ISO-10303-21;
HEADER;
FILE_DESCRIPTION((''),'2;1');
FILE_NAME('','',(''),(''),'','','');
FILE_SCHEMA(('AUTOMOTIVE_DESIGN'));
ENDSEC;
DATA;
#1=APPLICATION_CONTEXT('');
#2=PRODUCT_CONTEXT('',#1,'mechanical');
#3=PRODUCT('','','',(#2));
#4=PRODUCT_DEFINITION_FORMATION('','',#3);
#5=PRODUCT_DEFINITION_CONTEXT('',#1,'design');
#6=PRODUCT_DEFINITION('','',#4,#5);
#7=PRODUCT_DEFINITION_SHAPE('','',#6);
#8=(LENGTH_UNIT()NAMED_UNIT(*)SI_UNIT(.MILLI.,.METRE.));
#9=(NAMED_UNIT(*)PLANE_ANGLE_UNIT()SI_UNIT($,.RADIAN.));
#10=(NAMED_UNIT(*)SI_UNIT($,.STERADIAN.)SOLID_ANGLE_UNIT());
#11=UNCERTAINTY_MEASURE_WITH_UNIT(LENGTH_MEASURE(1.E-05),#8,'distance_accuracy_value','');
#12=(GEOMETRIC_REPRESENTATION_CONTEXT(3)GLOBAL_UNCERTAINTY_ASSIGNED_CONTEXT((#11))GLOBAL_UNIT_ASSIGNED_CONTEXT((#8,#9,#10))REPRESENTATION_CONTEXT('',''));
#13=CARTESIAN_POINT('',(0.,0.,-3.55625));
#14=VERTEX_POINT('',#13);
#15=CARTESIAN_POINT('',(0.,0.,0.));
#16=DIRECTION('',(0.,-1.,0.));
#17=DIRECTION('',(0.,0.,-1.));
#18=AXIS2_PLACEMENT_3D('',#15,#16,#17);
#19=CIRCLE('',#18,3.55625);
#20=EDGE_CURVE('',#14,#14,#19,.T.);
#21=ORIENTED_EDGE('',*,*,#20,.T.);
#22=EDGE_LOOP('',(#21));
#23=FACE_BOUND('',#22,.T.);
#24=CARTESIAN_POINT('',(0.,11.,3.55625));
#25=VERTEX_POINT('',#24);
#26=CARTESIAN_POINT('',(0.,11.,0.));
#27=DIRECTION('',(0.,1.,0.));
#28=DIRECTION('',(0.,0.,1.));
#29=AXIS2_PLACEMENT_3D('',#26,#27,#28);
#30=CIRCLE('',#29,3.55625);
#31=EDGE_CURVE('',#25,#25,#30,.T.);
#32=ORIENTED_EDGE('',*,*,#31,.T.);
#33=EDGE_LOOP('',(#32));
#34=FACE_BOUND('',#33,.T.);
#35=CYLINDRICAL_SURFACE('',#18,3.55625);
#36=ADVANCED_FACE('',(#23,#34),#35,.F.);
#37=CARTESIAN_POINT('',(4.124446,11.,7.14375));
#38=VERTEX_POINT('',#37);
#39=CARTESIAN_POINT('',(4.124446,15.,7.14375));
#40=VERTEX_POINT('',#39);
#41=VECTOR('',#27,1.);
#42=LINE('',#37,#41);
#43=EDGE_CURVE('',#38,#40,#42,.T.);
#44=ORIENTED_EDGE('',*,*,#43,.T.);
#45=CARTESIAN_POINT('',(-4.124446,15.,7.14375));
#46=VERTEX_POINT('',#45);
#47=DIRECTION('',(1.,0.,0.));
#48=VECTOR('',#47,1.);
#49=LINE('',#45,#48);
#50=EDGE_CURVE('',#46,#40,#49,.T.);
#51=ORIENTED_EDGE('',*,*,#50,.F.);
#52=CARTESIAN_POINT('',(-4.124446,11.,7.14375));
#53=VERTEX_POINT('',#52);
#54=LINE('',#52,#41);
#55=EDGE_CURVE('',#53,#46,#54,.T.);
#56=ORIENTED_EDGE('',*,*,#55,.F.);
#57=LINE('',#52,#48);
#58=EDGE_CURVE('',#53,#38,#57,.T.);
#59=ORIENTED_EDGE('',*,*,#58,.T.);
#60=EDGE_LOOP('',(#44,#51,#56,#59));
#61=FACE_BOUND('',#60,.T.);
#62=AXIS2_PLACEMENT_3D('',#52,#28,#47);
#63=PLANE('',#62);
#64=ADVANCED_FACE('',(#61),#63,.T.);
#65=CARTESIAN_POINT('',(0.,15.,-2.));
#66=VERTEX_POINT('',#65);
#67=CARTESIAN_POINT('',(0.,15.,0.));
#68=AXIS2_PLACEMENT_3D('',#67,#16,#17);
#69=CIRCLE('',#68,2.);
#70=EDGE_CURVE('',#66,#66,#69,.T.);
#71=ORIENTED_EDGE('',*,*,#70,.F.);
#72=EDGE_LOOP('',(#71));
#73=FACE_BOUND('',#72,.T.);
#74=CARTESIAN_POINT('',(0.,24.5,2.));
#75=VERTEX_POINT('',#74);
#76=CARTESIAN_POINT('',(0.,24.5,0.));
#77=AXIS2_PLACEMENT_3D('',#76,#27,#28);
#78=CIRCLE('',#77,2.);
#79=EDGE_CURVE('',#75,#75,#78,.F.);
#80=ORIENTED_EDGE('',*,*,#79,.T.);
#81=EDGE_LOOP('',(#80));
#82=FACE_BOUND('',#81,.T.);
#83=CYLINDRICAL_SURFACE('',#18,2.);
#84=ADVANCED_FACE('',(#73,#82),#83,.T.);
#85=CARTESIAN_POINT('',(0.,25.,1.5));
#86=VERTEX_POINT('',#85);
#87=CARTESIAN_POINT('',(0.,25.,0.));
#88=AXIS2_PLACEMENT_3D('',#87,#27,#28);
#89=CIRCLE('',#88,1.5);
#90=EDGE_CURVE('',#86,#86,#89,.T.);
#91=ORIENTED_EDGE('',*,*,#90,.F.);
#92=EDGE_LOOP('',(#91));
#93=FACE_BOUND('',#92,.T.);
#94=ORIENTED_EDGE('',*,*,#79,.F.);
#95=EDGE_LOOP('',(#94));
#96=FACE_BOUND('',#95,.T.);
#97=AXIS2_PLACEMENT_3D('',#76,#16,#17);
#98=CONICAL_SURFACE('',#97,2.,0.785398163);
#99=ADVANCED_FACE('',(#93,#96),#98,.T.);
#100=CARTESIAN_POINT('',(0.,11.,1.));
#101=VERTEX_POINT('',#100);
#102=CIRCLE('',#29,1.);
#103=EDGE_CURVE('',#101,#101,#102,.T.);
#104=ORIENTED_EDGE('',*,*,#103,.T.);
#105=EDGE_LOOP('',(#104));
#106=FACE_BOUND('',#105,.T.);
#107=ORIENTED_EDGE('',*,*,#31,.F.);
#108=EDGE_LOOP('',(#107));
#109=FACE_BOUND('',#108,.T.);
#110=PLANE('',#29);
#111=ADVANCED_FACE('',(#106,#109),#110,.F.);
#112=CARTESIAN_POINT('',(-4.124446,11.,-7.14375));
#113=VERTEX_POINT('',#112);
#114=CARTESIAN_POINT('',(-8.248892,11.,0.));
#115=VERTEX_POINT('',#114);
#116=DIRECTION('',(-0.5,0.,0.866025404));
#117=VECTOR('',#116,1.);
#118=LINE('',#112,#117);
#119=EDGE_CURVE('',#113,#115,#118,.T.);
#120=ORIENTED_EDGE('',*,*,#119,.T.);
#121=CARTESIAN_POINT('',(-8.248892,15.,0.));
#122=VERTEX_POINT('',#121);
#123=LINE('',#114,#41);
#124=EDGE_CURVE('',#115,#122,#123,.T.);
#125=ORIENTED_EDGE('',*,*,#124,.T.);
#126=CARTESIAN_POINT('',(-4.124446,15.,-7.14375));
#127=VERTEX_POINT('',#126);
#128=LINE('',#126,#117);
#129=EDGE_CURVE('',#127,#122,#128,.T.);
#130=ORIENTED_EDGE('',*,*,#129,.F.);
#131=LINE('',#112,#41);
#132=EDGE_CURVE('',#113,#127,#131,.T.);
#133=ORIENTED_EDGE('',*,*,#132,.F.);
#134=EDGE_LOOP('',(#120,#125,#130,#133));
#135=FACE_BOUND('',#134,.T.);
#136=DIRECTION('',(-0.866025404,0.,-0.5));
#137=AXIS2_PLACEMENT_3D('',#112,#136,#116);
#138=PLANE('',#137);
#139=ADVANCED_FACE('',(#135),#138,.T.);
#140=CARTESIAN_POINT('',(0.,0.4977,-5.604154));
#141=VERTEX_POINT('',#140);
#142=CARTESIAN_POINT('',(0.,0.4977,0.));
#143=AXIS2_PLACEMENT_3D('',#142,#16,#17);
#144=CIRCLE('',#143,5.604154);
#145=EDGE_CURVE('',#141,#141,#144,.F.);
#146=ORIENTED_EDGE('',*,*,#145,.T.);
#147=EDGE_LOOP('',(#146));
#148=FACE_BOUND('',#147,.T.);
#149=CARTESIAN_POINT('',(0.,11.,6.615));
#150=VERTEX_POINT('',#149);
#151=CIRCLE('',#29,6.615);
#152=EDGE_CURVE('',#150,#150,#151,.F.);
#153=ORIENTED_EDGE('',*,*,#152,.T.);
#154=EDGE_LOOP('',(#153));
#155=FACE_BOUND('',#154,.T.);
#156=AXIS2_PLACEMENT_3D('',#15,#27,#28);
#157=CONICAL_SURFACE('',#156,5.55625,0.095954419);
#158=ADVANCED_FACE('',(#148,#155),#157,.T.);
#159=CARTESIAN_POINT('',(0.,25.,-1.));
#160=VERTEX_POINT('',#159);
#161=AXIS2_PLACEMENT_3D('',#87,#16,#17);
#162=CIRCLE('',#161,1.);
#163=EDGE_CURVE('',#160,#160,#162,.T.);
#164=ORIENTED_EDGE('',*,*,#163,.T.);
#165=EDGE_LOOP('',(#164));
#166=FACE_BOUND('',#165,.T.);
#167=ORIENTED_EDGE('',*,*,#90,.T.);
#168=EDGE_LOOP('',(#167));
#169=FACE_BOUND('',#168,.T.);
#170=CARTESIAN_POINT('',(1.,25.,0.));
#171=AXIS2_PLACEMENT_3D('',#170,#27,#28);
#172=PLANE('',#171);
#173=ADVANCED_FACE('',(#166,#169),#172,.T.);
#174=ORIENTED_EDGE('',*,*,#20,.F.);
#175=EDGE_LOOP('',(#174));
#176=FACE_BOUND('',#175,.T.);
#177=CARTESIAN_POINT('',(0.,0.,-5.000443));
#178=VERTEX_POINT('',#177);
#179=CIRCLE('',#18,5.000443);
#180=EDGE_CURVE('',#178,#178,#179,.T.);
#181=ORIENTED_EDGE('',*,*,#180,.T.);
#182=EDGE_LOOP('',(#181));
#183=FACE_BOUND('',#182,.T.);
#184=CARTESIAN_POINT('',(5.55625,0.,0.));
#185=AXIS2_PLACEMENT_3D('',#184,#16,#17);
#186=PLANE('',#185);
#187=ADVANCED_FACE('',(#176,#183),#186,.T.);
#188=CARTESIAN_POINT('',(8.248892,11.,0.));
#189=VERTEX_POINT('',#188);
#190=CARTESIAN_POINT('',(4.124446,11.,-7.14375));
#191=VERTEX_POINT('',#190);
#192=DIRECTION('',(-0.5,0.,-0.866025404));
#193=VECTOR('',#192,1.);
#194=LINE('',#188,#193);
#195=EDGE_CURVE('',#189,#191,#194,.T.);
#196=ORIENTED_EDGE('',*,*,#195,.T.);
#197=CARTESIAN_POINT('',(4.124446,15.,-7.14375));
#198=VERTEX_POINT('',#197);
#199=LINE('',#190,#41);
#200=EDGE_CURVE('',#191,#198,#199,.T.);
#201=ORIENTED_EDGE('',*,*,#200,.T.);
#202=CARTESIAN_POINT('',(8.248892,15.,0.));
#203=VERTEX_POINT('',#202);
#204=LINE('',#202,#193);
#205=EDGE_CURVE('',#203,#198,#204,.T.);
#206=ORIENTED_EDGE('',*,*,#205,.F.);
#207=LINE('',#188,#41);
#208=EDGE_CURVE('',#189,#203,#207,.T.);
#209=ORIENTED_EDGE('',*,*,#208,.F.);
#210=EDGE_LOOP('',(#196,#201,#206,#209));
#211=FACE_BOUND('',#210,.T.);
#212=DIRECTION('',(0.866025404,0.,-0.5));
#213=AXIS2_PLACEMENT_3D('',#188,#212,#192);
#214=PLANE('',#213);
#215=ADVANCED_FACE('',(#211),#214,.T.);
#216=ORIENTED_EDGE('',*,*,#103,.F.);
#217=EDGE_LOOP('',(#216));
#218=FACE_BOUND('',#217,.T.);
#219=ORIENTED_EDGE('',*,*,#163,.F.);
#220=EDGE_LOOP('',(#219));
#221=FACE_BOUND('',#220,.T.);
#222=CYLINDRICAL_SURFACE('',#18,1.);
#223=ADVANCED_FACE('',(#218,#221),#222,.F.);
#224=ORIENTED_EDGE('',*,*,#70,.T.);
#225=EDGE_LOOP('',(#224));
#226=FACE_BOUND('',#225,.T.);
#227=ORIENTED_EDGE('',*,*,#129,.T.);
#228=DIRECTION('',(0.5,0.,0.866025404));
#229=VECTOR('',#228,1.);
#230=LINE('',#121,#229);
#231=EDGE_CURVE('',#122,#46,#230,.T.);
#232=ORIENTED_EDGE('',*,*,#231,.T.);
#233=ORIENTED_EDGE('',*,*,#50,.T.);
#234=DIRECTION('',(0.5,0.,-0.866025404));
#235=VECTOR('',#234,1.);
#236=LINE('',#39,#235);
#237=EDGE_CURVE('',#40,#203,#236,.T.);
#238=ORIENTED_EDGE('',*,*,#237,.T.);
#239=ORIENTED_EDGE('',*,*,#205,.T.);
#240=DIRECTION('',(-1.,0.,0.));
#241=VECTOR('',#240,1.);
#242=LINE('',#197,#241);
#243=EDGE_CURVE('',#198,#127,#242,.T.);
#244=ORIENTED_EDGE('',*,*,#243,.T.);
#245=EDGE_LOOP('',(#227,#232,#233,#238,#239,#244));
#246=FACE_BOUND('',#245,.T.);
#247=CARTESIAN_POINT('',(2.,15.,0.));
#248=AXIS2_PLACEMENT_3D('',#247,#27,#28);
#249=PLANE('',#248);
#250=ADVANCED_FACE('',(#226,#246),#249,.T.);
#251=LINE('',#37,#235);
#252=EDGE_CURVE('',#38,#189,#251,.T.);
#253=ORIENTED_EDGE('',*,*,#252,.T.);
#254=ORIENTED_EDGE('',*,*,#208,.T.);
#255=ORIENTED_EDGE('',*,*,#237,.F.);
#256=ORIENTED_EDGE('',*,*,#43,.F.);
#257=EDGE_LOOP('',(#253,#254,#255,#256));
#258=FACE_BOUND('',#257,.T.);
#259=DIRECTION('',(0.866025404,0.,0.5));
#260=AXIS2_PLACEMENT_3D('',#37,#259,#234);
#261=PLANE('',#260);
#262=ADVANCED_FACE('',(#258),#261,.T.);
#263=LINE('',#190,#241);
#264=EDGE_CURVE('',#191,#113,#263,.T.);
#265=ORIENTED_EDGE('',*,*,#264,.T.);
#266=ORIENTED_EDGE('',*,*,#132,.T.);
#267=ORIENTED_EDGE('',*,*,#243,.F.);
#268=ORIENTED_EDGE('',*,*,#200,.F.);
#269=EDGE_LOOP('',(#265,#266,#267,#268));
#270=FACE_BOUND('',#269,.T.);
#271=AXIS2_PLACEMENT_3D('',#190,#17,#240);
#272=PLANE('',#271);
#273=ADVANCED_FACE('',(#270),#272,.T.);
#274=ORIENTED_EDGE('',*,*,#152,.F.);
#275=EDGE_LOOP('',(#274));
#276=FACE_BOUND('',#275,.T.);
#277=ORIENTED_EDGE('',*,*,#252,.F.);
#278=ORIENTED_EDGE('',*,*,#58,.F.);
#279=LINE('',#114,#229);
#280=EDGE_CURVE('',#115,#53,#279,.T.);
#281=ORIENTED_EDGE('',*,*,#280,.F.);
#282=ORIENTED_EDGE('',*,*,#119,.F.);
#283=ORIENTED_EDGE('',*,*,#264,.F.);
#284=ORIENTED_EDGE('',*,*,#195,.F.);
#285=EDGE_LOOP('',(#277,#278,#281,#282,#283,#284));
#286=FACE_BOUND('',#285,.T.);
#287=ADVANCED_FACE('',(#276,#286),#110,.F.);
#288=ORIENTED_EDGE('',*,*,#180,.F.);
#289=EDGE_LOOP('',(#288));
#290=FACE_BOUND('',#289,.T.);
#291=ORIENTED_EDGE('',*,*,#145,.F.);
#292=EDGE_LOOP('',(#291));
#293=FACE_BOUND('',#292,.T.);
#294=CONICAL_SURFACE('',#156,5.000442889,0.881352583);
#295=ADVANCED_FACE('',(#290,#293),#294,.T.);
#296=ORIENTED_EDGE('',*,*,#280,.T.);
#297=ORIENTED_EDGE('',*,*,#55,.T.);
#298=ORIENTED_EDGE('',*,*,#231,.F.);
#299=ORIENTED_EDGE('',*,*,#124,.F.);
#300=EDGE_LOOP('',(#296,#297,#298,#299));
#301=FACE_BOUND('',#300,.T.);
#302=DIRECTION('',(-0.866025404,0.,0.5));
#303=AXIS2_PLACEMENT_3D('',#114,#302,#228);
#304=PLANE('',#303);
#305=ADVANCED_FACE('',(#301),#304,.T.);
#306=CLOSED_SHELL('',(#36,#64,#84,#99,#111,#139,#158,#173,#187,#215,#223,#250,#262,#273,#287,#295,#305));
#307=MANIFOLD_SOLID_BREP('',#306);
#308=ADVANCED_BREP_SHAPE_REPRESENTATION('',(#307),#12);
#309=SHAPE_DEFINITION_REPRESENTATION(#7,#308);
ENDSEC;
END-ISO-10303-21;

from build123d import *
from OCP.BRepFilletAPI import BRepFilletAPI_MakeChamfer

# Parameters (mm, degrees)
SKETCH2_R           = 1
BOSS_EXTRUDE1_DEPTH = 4
CHAMFER1_SIZE       = 0.5
CHAMFER1_SIZE2      = 0.555807111


with BuildPart() as part:
    # Sketch1 → Revolve1 (revolve)
    with BuildSketch(Plane.XY, mode=Mode.PRIVATE) as revolve1_sk:
        Polygon((1, 25), (2, 25), (2, 15), (7, 15), (5.55625, 0), (3.55625, 0), (3.55625, 12), (1, 12), align=None)
    revolve(revolve1_sk.sketch.rotate(Axis((0, 0, 0), (0, 1, 0)), 90), axis=Axis((0, 0, 0), (0, 1, 0)))

    # Sketch2 → Boss-Extrude1 (add)
    with BuildSketch(Plane(origin=(0, 15, 0), x_dir=(1, 0, 0), z_dir=(0, 1, 0))):
        Polygon((-8.248891971, 0), (-4.124445986, -7.14375), (4.124445986, -7.14375), (8.248891971, 0), (4.124445986, 7.14375), (-4.124445986, 7.14375), align=None)
        with Locations(Location((0, 0, 0), (0, 0, 90))):
            Circle(SKETCH2_R, mode=Mode.SUBTRACT)
    extrude(amount=-BOSS_EXTRUDE1_DEPTH)

    # Chamfer1: one chamfer whose edges measure the first distance from different faces: ONE call of the kernel's chamfer builder (chamfer() names one face for all edges)
    chamfer1_edges_1 = [part.edges().sort_by_distance(p)[0] for p in [
        (0, 0, 5.55625),
    ]]
    chamfer1_side_1 = [part.faces().sort_by_distance(p)[0] for p in [
        (0, 5.5, 6.085625),
    ]]
    chamfer1_edges_2 = [part.edges().sort_by_distance(p)[0] for p in [
        (0, 25, 2),
    ]]
    chamfer1 = BRepFilletAPI_MakeChamfer(part.part.solid().wrapped)
    for e in chamfer1_edges_1:
        chamfer1.Add(CHAMFER1_SIZE, CHAMFER1_SIZE2, e.wrapped, chamfer1_side_1[0].wrapped)  # the first distance lies on this face
    for e in chamfer1_edges_2:
        chamfer1.Add(CHAMFER1_SIZE, e.wrapped)
    add(Compound.cast(chamfer1.Shape()), mode=Mode.REPLACE)


solid = part.part
